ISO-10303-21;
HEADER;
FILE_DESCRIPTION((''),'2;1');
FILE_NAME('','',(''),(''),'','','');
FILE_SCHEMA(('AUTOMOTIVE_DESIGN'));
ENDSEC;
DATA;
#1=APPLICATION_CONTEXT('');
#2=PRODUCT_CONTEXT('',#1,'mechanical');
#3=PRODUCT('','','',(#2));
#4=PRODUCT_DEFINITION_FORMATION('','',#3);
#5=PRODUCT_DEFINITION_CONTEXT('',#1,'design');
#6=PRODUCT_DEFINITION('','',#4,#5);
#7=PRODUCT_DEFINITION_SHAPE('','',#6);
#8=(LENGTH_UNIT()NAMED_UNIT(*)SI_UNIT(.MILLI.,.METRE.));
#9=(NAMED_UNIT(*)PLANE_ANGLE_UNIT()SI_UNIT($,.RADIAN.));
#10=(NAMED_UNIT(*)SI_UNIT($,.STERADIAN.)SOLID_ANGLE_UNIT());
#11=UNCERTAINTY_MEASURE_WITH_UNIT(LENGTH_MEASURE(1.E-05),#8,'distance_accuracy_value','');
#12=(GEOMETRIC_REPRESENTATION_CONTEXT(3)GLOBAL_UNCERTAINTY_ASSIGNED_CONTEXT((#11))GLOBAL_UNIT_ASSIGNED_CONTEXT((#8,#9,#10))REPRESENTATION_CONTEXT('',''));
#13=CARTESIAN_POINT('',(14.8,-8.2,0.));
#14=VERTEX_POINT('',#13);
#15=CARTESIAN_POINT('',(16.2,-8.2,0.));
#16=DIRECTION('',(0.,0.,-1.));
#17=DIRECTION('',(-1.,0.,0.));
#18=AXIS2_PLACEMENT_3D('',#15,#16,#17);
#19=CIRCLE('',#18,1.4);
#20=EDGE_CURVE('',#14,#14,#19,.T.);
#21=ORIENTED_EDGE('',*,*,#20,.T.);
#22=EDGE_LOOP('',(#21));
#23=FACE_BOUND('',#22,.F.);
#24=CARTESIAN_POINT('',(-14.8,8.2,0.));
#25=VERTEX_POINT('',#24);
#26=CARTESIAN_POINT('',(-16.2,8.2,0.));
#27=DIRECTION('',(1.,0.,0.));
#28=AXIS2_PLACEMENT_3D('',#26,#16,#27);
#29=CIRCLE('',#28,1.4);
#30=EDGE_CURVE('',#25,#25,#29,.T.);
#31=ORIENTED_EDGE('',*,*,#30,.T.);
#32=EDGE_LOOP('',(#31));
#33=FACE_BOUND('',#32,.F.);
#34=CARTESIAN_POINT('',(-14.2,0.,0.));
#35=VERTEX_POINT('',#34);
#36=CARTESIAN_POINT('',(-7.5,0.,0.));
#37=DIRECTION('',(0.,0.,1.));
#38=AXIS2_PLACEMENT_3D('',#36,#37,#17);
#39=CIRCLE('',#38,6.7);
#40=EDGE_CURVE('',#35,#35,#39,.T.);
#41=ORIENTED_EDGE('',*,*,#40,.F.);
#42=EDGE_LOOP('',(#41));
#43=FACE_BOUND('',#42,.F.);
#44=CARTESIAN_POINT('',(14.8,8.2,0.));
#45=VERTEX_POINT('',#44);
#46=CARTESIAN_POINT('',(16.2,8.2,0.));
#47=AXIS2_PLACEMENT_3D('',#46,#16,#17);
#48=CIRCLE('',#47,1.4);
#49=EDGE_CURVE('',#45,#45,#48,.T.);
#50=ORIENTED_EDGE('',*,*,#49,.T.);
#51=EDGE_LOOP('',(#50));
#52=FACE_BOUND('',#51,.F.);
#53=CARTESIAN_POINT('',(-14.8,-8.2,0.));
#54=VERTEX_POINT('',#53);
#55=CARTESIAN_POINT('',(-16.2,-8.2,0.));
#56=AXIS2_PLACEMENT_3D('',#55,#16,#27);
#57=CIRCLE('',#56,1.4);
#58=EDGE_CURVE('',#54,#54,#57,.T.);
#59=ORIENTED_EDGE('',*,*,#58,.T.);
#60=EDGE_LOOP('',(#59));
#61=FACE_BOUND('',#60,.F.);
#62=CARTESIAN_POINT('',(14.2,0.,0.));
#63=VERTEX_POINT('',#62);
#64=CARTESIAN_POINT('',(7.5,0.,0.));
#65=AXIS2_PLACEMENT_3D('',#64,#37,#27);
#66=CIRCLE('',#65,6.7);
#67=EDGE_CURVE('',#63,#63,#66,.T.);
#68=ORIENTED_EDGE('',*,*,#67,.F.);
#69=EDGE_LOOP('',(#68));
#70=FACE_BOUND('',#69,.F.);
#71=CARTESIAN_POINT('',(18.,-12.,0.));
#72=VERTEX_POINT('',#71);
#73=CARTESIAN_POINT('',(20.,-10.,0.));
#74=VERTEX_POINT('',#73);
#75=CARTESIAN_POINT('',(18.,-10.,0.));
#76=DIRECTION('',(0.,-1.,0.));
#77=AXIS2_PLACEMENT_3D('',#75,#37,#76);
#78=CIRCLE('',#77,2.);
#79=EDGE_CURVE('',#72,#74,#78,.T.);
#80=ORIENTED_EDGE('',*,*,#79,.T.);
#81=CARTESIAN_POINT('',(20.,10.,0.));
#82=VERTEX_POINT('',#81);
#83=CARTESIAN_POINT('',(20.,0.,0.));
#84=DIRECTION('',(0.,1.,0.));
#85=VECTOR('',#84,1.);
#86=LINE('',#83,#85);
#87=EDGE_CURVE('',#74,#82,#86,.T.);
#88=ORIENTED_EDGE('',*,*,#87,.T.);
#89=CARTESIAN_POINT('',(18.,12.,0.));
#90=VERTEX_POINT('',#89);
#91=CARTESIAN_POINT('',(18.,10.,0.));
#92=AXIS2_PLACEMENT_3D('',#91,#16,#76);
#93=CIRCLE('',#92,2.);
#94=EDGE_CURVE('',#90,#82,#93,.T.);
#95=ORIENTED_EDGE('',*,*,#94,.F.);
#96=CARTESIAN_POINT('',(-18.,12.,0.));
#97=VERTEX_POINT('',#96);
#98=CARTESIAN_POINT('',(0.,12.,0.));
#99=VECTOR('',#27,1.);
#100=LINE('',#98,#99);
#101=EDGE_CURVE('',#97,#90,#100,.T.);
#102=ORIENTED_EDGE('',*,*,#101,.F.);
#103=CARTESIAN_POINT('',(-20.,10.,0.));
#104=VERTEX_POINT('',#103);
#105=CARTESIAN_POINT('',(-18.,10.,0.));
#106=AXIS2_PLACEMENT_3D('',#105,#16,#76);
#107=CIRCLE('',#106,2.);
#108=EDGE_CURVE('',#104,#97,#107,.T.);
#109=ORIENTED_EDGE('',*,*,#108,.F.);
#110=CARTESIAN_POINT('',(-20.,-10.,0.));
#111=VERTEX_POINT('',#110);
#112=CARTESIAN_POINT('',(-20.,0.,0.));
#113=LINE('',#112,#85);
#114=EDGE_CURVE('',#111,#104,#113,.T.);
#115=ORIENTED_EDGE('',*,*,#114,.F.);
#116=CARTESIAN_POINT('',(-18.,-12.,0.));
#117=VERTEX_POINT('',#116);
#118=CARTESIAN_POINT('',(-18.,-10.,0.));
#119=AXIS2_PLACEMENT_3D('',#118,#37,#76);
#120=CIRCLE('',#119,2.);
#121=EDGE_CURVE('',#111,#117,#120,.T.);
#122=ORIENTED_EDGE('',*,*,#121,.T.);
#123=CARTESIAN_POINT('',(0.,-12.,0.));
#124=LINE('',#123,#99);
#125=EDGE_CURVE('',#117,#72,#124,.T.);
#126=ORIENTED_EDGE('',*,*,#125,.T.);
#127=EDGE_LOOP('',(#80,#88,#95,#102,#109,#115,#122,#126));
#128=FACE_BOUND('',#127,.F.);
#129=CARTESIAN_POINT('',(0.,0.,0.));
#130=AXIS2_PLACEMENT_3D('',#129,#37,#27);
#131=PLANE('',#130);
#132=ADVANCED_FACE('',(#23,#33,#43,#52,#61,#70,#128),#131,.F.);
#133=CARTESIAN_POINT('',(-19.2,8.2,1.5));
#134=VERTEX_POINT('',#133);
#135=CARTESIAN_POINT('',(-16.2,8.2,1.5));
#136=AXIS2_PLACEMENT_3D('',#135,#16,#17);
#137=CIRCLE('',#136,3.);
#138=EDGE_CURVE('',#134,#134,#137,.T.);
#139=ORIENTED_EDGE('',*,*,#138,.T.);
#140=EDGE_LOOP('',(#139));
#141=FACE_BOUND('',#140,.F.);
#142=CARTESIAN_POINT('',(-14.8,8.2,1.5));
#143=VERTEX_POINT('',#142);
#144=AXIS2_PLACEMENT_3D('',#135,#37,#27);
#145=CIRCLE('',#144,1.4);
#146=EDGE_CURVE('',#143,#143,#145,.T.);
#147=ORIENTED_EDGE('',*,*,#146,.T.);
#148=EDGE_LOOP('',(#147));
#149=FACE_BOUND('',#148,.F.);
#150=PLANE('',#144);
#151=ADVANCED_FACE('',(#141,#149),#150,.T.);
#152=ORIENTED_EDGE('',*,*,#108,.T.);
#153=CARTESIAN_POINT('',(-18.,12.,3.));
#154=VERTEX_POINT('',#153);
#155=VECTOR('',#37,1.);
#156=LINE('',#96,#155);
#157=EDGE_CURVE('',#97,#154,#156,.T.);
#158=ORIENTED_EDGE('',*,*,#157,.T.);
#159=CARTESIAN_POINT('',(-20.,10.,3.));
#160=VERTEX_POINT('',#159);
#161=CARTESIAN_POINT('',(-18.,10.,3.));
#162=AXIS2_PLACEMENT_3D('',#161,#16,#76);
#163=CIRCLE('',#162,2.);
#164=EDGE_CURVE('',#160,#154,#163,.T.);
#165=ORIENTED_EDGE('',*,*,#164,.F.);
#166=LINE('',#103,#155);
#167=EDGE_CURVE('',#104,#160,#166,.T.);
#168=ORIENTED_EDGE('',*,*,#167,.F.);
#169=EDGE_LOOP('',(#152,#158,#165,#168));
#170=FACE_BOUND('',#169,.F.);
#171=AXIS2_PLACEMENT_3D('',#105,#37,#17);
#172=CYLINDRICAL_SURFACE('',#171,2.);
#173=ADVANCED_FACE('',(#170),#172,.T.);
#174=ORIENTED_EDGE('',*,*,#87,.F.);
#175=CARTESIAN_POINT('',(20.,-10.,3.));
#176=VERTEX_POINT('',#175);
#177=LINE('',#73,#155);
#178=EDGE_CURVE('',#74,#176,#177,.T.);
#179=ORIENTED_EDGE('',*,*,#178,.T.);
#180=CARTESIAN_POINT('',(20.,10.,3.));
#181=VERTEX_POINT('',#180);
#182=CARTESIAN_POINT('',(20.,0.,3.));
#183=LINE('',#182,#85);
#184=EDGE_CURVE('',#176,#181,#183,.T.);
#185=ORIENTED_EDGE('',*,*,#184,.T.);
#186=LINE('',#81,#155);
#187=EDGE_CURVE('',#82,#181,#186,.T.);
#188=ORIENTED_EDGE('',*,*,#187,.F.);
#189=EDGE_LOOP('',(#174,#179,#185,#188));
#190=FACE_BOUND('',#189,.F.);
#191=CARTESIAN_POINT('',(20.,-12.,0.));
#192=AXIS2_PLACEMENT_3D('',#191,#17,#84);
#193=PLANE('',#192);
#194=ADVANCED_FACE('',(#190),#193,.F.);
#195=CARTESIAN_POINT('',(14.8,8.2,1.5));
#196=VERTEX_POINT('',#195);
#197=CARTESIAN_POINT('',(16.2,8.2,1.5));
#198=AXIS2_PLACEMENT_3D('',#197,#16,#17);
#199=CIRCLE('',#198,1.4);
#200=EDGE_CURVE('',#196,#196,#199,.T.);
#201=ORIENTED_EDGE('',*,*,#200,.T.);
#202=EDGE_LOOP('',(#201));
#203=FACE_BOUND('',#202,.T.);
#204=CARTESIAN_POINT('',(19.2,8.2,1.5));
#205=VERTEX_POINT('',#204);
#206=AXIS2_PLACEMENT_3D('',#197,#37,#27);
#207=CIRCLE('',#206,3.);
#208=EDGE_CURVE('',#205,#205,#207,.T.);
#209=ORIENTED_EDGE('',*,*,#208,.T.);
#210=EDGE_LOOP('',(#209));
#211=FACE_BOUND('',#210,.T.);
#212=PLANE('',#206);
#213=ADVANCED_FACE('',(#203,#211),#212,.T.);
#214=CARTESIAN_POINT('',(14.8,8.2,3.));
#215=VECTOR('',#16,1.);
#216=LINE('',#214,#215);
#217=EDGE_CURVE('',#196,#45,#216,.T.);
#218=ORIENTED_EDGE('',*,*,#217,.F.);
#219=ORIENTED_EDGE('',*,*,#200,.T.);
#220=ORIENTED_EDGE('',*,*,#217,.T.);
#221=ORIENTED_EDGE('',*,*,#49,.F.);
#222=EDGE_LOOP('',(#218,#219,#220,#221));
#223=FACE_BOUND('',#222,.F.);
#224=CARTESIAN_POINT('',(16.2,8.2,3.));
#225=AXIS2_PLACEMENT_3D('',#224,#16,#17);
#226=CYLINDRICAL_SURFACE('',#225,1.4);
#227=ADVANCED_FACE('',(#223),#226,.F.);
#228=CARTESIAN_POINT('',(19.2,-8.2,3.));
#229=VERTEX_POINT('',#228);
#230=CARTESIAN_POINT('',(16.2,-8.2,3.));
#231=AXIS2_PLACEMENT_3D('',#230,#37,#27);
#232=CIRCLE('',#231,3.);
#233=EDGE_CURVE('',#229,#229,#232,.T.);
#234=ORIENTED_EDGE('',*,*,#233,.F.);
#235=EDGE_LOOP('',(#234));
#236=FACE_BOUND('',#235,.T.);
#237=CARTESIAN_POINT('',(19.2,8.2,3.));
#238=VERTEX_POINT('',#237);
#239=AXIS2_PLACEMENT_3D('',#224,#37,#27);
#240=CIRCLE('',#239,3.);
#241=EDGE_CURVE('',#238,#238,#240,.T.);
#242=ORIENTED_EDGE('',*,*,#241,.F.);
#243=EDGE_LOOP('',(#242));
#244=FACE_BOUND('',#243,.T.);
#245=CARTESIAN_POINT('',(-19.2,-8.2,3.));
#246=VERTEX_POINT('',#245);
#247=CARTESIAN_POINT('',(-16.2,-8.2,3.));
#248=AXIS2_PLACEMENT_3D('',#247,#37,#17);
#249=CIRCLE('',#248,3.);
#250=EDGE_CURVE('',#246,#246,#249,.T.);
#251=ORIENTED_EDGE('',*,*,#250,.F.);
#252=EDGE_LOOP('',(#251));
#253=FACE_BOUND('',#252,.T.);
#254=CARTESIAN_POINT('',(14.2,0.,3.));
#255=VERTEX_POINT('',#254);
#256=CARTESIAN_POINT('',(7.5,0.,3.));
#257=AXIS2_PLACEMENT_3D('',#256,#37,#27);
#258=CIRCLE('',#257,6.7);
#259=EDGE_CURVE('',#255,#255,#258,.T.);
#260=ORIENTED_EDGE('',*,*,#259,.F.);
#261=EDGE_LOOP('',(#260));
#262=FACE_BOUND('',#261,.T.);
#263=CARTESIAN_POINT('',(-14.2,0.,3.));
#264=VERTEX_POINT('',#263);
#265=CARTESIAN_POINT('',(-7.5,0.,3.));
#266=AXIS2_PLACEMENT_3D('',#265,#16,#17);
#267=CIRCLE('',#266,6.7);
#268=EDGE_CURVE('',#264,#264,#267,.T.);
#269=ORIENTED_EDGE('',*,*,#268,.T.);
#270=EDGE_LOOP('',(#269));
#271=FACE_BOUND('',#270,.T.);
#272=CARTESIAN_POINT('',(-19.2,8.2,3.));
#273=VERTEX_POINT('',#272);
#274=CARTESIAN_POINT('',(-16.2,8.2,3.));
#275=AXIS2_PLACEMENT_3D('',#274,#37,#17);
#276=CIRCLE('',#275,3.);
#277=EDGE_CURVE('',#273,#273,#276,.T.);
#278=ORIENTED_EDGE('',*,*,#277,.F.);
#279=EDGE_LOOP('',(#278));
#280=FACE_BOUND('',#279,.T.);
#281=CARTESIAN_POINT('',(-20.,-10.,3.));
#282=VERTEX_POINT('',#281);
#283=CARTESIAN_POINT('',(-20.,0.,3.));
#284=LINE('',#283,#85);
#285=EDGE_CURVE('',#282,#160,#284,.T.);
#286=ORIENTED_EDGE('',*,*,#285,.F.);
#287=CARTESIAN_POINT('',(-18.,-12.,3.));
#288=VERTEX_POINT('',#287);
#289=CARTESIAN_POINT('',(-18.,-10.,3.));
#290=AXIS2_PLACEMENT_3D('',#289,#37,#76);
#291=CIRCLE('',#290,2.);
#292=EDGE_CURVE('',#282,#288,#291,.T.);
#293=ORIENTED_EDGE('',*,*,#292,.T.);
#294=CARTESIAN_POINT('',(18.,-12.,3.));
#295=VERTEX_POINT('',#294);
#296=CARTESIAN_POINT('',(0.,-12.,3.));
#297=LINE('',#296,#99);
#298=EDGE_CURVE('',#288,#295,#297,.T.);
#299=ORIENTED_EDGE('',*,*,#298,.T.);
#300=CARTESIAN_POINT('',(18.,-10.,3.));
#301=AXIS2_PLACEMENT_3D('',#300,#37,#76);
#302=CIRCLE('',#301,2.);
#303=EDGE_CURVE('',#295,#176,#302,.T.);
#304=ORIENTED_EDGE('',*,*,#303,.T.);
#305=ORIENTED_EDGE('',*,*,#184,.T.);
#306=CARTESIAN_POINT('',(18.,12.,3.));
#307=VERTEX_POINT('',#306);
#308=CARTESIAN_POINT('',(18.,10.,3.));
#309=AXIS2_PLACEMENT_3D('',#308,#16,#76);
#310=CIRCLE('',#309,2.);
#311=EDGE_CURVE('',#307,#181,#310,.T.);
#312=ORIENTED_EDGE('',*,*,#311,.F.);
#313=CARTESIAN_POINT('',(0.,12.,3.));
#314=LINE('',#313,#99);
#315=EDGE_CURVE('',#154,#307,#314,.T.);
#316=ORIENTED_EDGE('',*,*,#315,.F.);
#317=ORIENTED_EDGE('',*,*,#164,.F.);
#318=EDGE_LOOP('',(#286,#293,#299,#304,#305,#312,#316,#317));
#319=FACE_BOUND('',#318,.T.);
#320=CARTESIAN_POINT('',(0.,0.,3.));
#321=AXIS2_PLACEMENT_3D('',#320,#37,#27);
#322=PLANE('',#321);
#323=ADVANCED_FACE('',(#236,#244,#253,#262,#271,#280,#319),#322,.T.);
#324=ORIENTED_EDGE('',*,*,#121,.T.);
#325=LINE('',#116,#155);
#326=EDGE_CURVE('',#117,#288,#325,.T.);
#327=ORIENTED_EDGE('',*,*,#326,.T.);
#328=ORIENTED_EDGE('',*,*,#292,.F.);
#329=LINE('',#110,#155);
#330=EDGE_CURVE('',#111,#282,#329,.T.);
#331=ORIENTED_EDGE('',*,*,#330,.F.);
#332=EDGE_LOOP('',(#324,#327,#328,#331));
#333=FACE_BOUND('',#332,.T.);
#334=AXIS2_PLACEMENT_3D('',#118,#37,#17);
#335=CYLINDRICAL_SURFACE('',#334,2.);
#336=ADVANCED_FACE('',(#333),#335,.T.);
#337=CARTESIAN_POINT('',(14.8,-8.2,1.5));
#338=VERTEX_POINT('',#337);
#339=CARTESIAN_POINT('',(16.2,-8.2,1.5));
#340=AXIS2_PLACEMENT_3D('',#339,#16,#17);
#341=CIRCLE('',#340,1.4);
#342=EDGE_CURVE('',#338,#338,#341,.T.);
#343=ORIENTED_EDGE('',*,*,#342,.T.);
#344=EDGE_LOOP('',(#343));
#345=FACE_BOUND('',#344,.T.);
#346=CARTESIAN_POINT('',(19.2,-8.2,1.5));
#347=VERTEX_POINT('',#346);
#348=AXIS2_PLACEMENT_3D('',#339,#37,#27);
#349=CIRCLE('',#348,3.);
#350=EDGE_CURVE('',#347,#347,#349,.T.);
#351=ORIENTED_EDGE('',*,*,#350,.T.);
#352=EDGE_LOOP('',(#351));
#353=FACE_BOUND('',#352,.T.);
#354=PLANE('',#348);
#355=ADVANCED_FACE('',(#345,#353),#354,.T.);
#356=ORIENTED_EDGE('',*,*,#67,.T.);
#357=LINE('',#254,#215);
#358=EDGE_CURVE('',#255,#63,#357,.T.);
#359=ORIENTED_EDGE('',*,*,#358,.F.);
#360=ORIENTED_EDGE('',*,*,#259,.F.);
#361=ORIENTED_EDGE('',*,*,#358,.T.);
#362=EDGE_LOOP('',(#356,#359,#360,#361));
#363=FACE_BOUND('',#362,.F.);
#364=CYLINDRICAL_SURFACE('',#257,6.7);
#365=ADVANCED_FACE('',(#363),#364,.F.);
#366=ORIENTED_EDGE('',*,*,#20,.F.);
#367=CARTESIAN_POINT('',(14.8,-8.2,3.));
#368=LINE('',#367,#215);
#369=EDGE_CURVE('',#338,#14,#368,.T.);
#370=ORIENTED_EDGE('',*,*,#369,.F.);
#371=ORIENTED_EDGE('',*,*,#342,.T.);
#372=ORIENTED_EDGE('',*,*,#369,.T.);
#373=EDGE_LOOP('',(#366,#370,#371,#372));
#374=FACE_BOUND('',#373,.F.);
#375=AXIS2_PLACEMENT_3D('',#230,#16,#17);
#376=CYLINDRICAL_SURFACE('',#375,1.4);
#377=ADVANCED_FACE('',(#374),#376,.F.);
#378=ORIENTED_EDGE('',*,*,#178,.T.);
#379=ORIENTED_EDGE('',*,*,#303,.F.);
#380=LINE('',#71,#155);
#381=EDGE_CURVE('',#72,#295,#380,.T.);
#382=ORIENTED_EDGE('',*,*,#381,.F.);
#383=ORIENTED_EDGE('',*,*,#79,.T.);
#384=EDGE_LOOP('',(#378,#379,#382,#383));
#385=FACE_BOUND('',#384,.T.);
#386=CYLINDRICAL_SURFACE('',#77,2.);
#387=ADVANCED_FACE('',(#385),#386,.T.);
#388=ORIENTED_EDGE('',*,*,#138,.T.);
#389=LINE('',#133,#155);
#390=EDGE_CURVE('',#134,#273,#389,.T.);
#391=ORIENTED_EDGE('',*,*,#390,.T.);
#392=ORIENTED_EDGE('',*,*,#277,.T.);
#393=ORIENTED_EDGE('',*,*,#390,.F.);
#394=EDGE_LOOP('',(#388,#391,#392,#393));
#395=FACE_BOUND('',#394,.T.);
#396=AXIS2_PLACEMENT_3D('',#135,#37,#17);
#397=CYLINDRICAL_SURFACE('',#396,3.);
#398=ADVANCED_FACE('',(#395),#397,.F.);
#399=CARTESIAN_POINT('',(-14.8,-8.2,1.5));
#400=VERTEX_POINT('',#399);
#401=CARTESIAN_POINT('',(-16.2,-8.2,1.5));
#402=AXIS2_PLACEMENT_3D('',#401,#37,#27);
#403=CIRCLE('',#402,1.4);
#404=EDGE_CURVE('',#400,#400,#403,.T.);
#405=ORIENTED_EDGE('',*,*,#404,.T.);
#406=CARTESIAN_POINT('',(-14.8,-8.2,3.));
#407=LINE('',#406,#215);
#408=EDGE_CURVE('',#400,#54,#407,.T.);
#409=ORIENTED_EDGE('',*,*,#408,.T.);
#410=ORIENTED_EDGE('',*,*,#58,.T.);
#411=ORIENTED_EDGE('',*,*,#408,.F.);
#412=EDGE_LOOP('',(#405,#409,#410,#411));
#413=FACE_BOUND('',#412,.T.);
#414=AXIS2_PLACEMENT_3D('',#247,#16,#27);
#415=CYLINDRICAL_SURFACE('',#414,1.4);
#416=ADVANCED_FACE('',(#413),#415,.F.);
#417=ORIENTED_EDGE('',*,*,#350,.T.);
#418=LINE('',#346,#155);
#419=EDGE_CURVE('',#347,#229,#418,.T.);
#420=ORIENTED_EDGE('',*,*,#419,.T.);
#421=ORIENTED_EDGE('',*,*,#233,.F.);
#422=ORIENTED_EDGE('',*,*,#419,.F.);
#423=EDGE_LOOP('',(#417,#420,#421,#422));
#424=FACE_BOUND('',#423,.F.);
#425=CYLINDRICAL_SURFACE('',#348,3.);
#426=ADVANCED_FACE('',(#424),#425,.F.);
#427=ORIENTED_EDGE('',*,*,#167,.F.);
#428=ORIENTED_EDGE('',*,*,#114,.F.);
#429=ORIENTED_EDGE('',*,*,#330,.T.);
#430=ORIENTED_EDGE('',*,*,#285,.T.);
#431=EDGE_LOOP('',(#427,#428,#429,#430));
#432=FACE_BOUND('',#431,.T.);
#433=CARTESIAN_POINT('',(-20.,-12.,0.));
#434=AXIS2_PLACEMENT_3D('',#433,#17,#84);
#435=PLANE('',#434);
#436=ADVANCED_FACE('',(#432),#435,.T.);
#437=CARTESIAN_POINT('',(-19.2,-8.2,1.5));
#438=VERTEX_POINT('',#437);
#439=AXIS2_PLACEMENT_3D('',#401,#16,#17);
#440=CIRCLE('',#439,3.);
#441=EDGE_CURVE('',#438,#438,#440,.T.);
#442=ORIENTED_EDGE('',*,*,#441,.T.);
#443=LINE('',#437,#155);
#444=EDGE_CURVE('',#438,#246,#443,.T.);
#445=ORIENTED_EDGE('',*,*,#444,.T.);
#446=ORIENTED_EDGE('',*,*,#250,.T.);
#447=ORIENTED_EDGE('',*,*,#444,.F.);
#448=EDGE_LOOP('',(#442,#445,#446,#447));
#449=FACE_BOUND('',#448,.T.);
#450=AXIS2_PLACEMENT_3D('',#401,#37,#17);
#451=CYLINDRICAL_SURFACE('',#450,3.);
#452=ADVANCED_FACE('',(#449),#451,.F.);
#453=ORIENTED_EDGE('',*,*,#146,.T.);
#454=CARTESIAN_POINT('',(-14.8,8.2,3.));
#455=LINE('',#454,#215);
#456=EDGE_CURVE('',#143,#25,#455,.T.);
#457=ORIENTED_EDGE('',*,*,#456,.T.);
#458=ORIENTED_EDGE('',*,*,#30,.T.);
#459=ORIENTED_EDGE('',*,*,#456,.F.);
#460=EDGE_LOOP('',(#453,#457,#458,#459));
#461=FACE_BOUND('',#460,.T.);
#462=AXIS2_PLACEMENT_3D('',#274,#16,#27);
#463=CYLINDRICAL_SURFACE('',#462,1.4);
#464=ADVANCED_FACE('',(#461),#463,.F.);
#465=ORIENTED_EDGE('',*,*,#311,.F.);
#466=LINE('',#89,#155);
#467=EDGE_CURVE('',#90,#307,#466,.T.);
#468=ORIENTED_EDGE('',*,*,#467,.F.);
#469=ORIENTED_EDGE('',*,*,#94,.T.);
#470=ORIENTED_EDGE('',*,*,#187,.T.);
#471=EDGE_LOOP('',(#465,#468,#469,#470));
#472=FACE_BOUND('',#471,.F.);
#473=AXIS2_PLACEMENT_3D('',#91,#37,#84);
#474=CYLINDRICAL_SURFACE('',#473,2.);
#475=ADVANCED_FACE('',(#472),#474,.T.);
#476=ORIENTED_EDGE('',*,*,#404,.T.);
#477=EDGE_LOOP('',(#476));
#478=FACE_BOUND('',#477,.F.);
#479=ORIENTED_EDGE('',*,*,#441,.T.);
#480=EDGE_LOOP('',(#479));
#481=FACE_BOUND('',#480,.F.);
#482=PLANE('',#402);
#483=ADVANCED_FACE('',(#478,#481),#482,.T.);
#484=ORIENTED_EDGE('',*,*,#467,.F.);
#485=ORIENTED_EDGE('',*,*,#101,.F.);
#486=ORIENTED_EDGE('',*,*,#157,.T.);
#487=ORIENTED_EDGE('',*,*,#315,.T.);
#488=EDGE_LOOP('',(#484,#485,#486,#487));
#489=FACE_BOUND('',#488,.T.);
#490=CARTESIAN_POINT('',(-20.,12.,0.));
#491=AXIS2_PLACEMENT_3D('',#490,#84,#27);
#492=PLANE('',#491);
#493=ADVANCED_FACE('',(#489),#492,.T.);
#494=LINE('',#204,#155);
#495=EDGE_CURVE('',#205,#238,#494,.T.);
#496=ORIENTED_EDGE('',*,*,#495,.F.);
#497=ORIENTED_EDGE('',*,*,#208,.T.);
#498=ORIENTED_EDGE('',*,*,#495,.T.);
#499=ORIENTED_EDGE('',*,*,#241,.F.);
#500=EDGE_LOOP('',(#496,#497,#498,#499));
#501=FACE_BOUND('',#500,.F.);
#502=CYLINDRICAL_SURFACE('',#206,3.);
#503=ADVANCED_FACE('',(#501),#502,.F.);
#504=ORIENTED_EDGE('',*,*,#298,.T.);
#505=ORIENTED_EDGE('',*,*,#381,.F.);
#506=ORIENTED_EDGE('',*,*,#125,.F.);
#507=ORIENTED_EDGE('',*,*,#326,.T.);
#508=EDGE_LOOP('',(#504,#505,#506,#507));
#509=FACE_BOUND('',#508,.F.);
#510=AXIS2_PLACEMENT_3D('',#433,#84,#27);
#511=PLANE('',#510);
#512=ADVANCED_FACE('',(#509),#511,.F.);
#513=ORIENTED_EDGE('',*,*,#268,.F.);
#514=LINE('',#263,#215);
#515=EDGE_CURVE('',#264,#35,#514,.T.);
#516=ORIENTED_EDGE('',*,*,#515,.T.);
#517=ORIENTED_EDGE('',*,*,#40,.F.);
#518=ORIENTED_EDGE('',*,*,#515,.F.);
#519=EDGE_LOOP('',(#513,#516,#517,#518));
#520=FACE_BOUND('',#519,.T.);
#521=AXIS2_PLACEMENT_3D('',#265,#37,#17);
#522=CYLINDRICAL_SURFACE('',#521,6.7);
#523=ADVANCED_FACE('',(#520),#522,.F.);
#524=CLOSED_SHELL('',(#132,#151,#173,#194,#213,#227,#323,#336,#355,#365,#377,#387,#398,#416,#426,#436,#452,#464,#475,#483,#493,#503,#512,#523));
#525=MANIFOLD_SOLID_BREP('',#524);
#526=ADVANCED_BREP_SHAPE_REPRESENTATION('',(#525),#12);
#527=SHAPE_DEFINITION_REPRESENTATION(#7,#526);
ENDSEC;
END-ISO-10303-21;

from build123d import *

# Parameters (mm, degrees)
SKETCH048_W         = 40
SKETCH048_H         = 24
PAD013_DEPTH        = 3
HOLE020_D           = 2.8
HOLE020_DEPTH       = 25
HOLE020_CBORE_D     = 6
HOLE020_CBORE_DEPTH = 1.5
SKETCH050_R         = 6.7
HOLE021_DEPTH       = 25
FILLET025_R         = 2


with BuildPart() as part:
    # Sketch048 → Pad013 (new body)
    with BuildSketch(Plane.XY):
        Rectangle(SKETCH048_W, SKETCH048_H)
    extrude(amount=PAD013_DEPTH)

    # Hole020
    with Locations(Plane.XY.offset(3)):
        with Locations((16.2, 8.2), (16.2, -8.2)):
            hole020 = CounterBoreHole(HOLE020_D / 2, HOLE020_CBORE_D / 2, HOLE020_CBORE_DEPTH, depth=HOLE020_DEPTH)

    # Mirrored023: Hole020 across Sketch049 V_Axis
    add(hole020.mirror(Plane(origin=(0, 0, 3), x_dir=(0, 0, 1), z_dir=(1, 0, 0))), mode=Mode.SUBTRACT)

    # Sketch050 (on Face5 of Mirrored023) → Hole021 (cut)
    with BuildSketch(Plane.XY.offset(3)):
        with Locations((7.5, 0)):
            Circle(SKETCH050_R)
    hole021 = extrude(amount=-HOLE021_DEPTH, mode=Mode.SUBTRACT)

    # Mirrored024: Hole021 across Sketch050 V_Axis
    add(hole021.mirror(Plane(origin=(0, 0, 3), x_dir=(0, 0, 1), z_dir=(1, 0, 0))), mode=Mode.SUBTRACT)

    # Fillet025
    fillet025_edges = [part.edges().sort_by_distance(p)[0] for p in [
        (20, 12, 1.5),
        (-20, 12, 1.5),
        (-20, -12, 1.5),
        (20, -12, 1.5),
    ]]
    fillet(fillet025_edges, radius=FILLET025_R)


solid = part.part
